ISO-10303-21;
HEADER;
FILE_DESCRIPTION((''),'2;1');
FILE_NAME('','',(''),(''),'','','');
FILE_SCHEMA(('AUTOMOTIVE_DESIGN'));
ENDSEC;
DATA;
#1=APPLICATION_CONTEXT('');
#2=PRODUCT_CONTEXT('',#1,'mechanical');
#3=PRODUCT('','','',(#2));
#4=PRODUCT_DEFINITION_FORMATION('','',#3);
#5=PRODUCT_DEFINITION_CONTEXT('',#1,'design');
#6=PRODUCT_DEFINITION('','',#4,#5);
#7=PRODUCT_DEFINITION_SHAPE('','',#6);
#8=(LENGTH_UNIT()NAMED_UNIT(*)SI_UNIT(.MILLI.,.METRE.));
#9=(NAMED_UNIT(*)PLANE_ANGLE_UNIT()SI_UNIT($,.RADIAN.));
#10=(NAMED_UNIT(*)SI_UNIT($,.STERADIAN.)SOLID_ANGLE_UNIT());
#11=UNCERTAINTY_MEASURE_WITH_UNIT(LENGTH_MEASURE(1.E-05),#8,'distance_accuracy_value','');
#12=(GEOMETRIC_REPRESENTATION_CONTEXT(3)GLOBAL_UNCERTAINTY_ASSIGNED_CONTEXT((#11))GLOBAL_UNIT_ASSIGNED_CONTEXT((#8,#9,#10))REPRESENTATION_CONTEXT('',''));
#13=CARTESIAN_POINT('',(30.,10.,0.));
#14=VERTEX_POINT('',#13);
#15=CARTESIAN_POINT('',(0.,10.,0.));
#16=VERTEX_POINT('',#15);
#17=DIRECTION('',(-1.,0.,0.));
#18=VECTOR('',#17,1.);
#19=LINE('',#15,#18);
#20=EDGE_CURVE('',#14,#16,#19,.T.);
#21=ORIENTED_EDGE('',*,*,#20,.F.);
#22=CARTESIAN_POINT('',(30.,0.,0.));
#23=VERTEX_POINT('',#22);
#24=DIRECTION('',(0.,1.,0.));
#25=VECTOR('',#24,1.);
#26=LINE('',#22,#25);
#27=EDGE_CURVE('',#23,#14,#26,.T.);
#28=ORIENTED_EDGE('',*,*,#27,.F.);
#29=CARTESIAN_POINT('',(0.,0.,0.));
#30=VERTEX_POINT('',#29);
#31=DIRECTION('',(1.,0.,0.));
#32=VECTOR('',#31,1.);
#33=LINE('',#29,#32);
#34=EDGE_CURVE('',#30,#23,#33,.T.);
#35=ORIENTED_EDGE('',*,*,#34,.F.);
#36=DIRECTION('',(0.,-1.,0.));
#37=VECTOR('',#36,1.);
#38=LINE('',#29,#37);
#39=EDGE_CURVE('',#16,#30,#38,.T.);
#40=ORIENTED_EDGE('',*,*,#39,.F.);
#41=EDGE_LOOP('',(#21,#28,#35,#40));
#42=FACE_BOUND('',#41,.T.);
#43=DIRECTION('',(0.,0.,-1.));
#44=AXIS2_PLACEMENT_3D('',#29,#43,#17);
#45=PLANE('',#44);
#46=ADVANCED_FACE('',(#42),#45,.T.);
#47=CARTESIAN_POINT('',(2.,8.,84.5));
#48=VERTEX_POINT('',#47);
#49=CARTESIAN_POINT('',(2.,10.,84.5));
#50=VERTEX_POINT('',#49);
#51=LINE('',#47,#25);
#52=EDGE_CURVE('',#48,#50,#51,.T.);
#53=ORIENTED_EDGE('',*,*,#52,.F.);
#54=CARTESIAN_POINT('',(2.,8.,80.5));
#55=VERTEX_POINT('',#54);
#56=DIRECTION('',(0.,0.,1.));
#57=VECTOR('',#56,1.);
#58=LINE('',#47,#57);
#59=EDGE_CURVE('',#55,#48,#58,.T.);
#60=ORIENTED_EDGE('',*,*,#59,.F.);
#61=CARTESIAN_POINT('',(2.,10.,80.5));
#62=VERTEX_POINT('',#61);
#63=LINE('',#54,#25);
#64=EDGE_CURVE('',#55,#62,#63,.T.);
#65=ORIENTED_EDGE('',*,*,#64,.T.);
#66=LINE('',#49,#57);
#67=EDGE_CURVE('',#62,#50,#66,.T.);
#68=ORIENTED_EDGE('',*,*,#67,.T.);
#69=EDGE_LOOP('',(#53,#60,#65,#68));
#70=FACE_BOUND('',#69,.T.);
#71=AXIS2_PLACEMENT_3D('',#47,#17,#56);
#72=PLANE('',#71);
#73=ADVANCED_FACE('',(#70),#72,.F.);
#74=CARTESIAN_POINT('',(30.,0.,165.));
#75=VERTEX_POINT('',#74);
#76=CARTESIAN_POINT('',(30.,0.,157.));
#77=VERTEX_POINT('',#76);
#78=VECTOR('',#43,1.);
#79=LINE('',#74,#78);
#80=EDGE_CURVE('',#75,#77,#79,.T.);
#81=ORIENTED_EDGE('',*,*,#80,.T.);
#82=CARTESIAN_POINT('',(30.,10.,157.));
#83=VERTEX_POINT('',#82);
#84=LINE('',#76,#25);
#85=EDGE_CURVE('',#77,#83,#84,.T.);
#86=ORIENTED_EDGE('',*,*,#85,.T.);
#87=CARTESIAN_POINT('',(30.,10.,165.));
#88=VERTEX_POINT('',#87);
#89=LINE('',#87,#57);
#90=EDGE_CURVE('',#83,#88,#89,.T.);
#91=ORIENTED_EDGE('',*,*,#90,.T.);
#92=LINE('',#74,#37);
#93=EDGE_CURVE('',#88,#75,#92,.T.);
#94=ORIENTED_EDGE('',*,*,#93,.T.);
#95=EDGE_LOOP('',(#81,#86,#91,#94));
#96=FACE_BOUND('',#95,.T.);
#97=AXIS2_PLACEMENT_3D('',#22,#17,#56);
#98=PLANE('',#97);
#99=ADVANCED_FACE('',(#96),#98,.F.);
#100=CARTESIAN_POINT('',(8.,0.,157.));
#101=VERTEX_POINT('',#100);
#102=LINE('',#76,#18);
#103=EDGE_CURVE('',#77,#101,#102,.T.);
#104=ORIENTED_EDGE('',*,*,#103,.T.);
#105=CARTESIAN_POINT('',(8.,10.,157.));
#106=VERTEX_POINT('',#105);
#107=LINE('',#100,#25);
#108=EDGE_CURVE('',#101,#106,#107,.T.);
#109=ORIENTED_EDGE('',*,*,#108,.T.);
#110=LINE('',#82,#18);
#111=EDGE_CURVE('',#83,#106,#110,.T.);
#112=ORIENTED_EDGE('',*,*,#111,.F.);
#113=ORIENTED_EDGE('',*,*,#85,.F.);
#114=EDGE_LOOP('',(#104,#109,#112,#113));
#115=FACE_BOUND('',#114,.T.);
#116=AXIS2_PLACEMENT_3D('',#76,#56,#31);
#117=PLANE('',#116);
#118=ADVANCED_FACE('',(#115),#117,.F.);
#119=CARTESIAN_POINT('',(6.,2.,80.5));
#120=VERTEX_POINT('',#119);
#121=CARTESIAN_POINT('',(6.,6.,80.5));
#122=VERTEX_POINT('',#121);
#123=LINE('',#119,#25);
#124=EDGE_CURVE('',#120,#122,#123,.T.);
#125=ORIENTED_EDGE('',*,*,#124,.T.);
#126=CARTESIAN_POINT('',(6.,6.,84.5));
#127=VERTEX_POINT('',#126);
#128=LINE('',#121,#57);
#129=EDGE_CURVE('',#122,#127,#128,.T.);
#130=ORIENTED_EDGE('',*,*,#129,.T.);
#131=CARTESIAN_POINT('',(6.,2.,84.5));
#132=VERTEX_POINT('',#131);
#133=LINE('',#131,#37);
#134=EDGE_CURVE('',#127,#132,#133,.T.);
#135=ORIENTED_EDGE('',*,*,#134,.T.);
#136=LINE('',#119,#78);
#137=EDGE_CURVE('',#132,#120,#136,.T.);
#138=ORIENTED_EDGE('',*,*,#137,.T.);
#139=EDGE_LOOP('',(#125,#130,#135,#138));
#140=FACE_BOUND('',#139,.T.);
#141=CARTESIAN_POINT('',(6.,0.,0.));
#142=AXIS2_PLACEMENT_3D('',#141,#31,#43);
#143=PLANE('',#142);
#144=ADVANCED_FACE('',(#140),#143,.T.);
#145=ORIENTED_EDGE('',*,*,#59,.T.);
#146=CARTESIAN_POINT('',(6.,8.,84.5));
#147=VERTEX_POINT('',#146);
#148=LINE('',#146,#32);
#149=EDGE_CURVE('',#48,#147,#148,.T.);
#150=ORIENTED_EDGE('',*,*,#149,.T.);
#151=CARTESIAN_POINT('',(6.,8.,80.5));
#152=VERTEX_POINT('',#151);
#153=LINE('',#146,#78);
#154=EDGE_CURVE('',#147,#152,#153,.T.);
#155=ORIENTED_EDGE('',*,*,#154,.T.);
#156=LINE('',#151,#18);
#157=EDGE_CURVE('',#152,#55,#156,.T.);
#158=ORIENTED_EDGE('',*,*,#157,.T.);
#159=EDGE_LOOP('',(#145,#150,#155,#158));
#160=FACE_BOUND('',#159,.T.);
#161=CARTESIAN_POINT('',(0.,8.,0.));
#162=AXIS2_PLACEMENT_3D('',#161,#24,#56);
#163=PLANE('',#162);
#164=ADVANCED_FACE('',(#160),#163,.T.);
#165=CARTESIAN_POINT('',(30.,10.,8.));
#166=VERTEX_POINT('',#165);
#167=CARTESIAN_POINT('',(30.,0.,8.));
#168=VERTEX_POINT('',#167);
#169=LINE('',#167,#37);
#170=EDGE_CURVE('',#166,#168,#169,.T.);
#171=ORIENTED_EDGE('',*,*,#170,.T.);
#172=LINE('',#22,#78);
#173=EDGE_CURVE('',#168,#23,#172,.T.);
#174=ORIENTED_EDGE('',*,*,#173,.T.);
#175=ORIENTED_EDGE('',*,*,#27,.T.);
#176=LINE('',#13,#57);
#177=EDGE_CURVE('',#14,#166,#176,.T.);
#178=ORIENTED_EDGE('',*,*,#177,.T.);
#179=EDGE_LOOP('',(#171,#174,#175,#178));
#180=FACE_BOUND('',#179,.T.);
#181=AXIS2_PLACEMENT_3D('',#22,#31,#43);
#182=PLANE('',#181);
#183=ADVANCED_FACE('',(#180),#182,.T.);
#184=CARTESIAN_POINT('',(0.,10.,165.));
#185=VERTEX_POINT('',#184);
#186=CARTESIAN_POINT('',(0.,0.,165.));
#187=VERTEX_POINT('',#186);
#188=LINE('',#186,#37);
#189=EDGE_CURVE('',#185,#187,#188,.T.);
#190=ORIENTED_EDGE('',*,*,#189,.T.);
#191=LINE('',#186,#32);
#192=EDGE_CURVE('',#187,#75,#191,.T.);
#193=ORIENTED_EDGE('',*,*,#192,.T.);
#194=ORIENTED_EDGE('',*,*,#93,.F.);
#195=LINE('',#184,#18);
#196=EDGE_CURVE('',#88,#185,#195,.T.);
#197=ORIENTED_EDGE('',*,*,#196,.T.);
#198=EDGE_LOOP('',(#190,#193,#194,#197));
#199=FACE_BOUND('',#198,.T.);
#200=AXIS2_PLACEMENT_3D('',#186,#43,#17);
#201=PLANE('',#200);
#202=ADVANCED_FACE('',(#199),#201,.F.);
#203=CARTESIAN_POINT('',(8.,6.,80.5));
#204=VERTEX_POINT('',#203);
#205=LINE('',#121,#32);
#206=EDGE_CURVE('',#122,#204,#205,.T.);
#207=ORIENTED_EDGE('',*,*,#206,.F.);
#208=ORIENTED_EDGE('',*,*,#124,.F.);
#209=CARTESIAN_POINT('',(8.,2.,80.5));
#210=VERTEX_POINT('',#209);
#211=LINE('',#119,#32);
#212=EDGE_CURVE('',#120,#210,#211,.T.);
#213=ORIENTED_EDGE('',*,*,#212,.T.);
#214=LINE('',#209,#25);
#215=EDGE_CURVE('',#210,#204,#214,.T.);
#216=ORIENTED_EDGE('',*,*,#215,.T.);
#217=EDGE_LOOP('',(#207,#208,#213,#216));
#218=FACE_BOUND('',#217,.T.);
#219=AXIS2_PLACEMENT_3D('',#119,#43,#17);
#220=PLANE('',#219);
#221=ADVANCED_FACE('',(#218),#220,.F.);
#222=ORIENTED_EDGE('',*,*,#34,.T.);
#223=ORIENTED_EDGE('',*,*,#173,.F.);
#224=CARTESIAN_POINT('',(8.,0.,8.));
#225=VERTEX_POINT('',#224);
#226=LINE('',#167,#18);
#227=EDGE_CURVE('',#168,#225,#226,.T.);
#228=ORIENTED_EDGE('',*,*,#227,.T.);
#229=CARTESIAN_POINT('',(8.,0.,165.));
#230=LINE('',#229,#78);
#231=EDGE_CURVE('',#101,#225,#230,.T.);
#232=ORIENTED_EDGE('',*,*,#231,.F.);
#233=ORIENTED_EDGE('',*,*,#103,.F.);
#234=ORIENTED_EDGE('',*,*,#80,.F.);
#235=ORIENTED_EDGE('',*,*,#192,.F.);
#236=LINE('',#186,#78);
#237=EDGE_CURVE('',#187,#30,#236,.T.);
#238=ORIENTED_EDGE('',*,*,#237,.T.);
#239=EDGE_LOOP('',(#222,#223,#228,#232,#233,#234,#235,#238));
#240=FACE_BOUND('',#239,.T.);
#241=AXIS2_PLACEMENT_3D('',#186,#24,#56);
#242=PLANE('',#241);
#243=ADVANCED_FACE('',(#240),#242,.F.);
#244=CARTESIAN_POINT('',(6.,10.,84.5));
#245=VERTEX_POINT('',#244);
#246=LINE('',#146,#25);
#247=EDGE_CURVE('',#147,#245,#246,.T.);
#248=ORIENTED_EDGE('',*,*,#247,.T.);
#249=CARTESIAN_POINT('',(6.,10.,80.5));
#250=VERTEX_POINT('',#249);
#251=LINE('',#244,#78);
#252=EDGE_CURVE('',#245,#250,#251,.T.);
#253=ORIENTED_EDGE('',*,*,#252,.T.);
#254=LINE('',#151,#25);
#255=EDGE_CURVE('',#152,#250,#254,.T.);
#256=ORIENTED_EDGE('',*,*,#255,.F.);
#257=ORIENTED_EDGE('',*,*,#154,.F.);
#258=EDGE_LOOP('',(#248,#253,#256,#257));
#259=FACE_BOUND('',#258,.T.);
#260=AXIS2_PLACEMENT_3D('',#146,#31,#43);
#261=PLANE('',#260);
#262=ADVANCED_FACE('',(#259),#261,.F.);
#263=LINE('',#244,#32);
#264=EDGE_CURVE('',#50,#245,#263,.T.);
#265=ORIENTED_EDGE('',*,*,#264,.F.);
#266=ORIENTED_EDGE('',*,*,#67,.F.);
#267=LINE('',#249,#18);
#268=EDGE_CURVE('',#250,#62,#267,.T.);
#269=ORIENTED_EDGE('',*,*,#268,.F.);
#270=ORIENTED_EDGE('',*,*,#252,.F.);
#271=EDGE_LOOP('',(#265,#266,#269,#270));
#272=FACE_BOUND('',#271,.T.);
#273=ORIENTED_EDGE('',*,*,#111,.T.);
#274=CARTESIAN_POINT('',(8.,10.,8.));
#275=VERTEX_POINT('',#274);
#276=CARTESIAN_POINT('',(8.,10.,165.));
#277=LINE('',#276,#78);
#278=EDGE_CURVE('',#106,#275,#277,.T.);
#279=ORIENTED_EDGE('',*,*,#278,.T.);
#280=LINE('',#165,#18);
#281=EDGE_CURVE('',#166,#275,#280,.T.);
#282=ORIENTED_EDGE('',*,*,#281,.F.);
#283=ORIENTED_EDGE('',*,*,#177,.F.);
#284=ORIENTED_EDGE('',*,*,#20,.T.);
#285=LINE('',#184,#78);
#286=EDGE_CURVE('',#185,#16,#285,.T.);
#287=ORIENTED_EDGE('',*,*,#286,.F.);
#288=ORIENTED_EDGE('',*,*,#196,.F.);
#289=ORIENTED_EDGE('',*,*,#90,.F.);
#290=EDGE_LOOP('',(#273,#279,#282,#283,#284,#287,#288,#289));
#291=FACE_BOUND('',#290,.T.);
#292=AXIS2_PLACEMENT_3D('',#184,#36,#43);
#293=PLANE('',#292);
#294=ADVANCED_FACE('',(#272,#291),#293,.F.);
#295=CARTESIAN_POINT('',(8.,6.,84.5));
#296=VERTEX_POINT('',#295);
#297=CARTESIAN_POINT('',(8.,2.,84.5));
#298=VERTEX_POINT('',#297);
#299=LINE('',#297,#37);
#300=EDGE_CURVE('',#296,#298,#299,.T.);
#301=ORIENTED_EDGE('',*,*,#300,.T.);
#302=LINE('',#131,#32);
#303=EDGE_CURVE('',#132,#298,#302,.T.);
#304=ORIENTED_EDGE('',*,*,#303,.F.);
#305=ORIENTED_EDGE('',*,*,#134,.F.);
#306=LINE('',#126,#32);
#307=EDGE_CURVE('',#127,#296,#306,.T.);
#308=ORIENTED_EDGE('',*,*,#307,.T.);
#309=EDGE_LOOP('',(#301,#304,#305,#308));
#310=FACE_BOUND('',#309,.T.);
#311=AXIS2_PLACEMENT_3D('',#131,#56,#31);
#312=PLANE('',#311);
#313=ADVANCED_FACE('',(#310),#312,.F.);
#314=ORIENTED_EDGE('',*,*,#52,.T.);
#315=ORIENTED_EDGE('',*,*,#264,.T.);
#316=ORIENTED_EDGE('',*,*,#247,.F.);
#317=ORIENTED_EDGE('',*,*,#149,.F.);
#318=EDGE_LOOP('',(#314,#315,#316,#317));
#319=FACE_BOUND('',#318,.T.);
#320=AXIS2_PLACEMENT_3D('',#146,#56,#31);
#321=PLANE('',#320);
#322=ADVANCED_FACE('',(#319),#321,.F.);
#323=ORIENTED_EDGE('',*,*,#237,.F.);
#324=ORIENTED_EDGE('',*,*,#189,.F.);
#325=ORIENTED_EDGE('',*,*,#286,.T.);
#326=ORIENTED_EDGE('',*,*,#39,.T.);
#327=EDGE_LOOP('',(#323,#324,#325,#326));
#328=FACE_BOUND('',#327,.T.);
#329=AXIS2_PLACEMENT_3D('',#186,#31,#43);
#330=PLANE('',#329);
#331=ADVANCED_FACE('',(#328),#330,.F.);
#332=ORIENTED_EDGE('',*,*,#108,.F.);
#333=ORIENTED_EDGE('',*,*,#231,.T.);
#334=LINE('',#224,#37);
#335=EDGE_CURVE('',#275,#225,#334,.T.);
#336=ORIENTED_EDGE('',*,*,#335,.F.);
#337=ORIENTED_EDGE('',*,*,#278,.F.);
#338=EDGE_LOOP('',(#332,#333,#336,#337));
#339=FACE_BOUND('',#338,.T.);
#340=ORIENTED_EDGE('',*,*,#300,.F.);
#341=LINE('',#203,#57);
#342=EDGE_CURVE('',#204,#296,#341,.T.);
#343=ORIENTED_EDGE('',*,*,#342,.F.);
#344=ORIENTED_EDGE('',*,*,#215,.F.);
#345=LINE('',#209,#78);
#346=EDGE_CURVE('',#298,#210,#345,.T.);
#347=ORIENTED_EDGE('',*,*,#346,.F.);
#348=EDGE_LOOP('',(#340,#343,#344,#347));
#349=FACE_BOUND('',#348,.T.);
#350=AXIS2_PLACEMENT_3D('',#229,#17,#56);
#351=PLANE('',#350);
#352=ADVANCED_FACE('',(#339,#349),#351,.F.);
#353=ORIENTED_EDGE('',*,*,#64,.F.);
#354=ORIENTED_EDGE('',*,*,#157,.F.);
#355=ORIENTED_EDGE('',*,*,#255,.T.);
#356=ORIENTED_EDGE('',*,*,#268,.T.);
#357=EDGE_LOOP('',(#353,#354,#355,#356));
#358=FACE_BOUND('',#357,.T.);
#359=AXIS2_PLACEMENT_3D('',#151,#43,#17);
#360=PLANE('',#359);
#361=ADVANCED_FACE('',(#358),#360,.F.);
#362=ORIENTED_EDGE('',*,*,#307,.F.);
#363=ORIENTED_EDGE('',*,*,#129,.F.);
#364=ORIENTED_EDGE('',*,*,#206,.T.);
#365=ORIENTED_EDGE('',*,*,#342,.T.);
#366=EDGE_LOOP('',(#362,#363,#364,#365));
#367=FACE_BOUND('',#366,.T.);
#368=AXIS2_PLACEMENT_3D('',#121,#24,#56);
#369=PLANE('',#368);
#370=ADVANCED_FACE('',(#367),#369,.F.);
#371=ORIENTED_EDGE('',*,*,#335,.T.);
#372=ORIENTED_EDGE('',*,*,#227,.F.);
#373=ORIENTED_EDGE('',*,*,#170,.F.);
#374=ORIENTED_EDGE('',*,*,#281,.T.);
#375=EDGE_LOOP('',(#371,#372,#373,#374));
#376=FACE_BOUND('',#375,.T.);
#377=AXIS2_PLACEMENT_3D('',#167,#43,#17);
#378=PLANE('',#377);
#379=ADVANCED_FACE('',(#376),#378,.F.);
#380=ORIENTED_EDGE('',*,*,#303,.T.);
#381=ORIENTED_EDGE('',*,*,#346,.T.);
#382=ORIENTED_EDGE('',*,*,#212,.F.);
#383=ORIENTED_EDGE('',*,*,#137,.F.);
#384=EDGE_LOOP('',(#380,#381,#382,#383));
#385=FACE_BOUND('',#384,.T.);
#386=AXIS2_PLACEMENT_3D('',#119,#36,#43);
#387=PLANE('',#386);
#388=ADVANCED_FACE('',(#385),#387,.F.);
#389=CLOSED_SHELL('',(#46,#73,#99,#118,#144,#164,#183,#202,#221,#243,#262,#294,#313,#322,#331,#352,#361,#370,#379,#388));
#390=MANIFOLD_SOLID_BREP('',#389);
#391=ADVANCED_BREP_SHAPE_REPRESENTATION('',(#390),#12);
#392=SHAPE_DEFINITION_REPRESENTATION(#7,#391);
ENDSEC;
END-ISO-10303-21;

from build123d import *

# Parameters (mm, degrees)
SKETCH1_W           = 8
SKETCH1_H           = 10
BOSS_EXTRUDE1_DEPTH = 165
SKETCH2_W           = 8
SKETCH2_H           = 10
BOSS_EXTRUDE2_DEPTH = 22
SKETCH3_W           = 4
SKETCH3_H           = 4
CUT_EXTRUDE1_DEPTH  = 2
SKETCH5_W           = 4
SKETCH5_H           = 4
CUT_EXTRUDE2_DEPTH  = 2


with BuildPart() as part:
    # Sketch1 → Boss-Extrude1 (new body)
    with BuildSketch(Plane.XY):
        with Locations((4, 5)):
            Rectangle(SKETCH1_W, SKETCH1_H)
    extrude(amount=BOSS_EXTRUDE1_DEPTH)

    # Sketch2 → Boss-Extrude2 (add)
    with BuildSketch(Plane(origin=(8, 0, 0), x_dir=(0, 0, -1), z_dir=(1, 0, 0))):
        with Locations((-4, 5)):
            Rectangle(SKETCH2_W, SKETCH2_H)
        with Locations((-161, 5)):
            Rectangle(SKETCH2_W, SKETCH2_H)
    extrude(amount=BOSS_EXTRUDE2_DEPTH)

    # Sketch3 → Cut-Extrude1 (cut)
    with BuildSketch(Plane(origin=(0, 10, 0), x_dir=(1, 0, 0), z_dir=(0, 1, 0))):
        with Locations((4, -82.5)):
            Rectangle(SKETCH3_W, SKETCH3_H)
    extrude(amount=-CUT_EXTRUDE1_DEPTH, mode=Mode.SUBTRACT)

    # Sketch5 → Cut-Extrude2 (cut)
    with BuildSketch(Plane(origin=(8, 0, 0), x_dir=(0, 0, -1), z_dir=(1, 0, 0))):
        with Locations((-82.5, 4)):
            Rectangle(SKETCH5_W, SKETCH5_H)
    extrude(amount=-CUT_EXTRUDE2_DEPTH, mode=Mode.SUBTRACT)


solid = part.part
